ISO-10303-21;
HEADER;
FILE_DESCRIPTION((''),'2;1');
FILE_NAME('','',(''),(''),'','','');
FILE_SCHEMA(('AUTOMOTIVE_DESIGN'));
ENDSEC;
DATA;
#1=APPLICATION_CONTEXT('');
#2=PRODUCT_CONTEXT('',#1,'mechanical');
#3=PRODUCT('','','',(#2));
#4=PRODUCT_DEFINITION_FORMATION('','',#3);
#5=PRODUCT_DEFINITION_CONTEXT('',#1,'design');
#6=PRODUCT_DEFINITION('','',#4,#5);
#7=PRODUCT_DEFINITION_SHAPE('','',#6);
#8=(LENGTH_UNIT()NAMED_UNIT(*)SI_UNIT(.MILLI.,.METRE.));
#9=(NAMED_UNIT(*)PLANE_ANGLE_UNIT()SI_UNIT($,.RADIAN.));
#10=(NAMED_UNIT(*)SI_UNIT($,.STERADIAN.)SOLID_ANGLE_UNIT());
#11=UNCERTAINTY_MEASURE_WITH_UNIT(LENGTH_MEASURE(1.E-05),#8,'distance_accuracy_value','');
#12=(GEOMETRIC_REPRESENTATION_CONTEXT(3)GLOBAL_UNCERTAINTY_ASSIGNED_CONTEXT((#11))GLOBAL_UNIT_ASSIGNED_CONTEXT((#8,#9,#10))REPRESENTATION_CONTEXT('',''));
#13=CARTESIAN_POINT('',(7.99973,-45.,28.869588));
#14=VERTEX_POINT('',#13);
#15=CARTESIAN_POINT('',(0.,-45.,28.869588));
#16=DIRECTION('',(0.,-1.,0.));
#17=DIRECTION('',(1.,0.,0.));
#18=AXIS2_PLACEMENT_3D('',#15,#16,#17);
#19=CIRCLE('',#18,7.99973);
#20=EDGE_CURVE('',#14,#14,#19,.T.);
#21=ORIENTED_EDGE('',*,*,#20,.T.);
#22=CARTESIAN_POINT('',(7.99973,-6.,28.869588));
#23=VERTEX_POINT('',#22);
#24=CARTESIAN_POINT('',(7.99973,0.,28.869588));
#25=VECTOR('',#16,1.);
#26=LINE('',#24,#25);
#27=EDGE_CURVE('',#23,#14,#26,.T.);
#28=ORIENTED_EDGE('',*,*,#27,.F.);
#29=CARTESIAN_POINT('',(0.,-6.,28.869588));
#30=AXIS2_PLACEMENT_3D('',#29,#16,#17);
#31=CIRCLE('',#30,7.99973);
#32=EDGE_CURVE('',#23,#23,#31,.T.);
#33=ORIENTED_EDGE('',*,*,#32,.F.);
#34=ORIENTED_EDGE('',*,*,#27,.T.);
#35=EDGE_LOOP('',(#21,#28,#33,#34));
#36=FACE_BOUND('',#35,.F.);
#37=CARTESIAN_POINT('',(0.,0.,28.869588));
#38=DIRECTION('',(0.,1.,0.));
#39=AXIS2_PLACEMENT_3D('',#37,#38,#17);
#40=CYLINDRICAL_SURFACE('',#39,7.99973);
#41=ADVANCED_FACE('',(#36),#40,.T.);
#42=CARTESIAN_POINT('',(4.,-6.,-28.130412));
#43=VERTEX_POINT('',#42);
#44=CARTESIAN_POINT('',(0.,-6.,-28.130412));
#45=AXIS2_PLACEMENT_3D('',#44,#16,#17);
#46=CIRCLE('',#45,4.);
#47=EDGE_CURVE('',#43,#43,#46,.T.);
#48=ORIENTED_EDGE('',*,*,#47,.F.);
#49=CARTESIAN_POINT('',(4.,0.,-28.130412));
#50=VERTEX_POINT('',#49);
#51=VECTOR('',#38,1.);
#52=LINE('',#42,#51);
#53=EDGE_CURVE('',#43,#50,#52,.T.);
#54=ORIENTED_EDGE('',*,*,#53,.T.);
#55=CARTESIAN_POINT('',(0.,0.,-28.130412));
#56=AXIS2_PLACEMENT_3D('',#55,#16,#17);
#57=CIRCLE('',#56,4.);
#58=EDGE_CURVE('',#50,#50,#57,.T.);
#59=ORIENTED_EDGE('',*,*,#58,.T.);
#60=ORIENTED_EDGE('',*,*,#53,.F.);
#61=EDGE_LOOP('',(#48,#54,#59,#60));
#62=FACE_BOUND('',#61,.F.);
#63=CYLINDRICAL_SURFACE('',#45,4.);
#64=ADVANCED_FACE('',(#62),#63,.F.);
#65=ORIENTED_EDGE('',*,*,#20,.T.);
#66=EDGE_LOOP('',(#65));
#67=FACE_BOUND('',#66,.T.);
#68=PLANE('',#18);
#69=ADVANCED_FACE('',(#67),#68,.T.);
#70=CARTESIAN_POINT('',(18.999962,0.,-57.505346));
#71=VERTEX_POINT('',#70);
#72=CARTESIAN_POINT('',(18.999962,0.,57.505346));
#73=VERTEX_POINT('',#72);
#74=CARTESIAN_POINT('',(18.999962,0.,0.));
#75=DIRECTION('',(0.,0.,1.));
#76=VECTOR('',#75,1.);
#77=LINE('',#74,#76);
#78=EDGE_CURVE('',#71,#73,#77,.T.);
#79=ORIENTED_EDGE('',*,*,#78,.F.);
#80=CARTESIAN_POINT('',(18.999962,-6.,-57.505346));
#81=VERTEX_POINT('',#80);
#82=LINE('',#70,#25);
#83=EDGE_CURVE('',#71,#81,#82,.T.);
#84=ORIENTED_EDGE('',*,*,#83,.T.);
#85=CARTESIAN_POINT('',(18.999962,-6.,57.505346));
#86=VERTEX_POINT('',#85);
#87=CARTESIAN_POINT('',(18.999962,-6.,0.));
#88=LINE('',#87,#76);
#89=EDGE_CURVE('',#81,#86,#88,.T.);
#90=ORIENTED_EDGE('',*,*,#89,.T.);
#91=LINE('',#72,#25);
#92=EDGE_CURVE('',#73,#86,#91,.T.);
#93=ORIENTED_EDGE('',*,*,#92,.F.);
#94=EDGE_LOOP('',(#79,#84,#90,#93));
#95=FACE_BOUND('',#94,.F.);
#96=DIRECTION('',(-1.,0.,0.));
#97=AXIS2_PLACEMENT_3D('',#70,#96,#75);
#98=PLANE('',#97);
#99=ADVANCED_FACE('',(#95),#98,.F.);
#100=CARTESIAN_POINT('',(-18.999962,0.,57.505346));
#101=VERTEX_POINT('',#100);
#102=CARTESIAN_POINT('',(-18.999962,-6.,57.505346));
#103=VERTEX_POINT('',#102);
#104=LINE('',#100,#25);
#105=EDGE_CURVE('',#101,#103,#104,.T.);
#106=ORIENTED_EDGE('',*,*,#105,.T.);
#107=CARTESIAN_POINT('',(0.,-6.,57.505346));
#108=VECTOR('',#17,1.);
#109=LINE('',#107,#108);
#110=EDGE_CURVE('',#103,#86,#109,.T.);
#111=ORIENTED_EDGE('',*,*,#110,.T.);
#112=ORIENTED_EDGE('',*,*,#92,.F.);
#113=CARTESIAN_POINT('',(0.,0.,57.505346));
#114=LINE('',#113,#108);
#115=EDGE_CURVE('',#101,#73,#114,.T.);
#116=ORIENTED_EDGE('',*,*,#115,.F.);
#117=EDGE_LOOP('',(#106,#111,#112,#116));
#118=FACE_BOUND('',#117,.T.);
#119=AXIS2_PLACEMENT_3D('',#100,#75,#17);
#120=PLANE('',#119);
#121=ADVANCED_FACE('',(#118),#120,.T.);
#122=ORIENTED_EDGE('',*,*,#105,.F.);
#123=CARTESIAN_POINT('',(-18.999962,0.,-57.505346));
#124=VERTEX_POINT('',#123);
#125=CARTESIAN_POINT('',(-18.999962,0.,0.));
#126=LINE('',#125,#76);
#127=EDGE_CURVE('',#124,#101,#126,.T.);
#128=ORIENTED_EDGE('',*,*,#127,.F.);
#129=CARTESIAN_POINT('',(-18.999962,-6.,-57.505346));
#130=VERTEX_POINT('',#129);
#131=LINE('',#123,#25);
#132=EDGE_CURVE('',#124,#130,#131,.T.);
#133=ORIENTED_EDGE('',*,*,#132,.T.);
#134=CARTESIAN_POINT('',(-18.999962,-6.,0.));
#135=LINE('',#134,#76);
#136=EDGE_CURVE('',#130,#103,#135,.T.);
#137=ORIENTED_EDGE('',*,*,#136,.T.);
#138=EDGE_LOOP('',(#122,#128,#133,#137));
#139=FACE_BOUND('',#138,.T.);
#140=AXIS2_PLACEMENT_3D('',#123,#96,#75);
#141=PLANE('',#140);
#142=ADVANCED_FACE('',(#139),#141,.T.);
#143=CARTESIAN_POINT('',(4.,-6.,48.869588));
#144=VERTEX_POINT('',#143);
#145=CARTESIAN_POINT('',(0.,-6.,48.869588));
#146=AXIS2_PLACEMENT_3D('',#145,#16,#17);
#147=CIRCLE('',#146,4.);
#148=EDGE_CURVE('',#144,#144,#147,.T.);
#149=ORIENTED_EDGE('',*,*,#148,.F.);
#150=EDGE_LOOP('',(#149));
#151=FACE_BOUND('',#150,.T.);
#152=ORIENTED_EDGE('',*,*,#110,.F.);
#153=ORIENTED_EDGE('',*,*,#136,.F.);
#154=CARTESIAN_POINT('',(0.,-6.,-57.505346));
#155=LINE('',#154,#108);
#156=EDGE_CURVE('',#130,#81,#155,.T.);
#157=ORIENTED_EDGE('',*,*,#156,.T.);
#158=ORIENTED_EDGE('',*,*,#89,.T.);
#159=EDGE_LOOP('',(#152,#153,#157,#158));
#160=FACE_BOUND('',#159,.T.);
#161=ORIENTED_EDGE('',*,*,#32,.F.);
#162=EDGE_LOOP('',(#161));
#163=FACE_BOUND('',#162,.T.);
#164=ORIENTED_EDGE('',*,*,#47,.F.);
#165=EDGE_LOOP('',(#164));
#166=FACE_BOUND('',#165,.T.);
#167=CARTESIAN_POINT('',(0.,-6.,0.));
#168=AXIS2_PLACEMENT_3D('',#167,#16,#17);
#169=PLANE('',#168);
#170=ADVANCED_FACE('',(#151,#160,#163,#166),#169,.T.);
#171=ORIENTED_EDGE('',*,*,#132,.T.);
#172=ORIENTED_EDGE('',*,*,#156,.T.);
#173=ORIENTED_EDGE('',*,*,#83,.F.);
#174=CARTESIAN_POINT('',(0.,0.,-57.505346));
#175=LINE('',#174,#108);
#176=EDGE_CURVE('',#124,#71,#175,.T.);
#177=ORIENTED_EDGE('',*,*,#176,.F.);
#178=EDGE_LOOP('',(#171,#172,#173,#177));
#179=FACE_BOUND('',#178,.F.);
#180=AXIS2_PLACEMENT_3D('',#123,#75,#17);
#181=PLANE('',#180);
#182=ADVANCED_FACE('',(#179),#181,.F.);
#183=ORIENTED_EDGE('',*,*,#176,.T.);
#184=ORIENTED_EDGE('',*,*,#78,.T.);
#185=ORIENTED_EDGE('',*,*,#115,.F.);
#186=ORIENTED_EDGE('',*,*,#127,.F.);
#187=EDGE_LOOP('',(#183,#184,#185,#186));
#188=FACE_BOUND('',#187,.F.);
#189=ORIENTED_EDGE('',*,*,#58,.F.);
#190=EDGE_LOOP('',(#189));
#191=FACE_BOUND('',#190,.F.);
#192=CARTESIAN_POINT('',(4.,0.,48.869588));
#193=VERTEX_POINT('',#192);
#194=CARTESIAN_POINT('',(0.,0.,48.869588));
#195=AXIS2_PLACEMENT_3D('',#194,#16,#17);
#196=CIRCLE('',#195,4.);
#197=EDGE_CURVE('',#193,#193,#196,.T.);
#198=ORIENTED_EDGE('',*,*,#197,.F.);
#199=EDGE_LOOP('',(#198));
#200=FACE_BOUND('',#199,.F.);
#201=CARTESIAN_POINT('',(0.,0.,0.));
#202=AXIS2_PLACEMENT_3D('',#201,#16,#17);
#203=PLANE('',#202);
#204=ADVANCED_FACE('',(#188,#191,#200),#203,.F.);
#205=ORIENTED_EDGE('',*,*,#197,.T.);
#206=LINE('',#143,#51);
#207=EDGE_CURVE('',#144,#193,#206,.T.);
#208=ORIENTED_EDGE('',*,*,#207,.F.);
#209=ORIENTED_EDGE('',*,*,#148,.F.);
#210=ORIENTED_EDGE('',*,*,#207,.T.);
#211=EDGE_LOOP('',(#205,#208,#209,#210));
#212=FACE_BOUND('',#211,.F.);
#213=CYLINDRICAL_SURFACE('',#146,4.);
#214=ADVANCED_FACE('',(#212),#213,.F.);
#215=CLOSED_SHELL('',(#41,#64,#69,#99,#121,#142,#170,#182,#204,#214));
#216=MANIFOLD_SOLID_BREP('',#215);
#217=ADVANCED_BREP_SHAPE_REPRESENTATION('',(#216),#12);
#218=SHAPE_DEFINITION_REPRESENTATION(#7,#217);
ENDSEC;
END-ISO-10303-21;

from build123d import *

# Parameters (mm, degrees)
F0_W     = 37.999924
F0_H     = 115.010692
F0_R     = 7.99973
F1_DEPTH = 6
F2_DEPTH = 45
F3_R     = 4
F4_DEPTH = 6.001


with BuildPart() as f1:
    # F0 (on Front) → F1 (new body)
    with BuildSketch(Plane.XZ):
        Rectangle(F0_W, F0_H)
        with Locations((0, 28.869588)):
            Circle(F0_R, mode=Mode.SUBTRACT)
    extrude(amount=F1_DEPTH)

    # F0 (on Front) → F2 (join)
    with BuildSketch(Plane.XZ):
        with Locations((0, 28.869588)):
            Circle(F0_R)
    extrude(amount=F2_DEPTH)

    # F3 (on face) → F4 (cut, through all)
    with BuildSketch(Plane.XZ.offset(6)):
        with Locations((0, 48.869588)):
            Circle(F3_R)
        with Locations((0, -28.130412)):
            Circle(F3_R)
    extrude(amount=-F4_DEPTH, mode=Mode.SUBTRACT)


solid = f1.part
